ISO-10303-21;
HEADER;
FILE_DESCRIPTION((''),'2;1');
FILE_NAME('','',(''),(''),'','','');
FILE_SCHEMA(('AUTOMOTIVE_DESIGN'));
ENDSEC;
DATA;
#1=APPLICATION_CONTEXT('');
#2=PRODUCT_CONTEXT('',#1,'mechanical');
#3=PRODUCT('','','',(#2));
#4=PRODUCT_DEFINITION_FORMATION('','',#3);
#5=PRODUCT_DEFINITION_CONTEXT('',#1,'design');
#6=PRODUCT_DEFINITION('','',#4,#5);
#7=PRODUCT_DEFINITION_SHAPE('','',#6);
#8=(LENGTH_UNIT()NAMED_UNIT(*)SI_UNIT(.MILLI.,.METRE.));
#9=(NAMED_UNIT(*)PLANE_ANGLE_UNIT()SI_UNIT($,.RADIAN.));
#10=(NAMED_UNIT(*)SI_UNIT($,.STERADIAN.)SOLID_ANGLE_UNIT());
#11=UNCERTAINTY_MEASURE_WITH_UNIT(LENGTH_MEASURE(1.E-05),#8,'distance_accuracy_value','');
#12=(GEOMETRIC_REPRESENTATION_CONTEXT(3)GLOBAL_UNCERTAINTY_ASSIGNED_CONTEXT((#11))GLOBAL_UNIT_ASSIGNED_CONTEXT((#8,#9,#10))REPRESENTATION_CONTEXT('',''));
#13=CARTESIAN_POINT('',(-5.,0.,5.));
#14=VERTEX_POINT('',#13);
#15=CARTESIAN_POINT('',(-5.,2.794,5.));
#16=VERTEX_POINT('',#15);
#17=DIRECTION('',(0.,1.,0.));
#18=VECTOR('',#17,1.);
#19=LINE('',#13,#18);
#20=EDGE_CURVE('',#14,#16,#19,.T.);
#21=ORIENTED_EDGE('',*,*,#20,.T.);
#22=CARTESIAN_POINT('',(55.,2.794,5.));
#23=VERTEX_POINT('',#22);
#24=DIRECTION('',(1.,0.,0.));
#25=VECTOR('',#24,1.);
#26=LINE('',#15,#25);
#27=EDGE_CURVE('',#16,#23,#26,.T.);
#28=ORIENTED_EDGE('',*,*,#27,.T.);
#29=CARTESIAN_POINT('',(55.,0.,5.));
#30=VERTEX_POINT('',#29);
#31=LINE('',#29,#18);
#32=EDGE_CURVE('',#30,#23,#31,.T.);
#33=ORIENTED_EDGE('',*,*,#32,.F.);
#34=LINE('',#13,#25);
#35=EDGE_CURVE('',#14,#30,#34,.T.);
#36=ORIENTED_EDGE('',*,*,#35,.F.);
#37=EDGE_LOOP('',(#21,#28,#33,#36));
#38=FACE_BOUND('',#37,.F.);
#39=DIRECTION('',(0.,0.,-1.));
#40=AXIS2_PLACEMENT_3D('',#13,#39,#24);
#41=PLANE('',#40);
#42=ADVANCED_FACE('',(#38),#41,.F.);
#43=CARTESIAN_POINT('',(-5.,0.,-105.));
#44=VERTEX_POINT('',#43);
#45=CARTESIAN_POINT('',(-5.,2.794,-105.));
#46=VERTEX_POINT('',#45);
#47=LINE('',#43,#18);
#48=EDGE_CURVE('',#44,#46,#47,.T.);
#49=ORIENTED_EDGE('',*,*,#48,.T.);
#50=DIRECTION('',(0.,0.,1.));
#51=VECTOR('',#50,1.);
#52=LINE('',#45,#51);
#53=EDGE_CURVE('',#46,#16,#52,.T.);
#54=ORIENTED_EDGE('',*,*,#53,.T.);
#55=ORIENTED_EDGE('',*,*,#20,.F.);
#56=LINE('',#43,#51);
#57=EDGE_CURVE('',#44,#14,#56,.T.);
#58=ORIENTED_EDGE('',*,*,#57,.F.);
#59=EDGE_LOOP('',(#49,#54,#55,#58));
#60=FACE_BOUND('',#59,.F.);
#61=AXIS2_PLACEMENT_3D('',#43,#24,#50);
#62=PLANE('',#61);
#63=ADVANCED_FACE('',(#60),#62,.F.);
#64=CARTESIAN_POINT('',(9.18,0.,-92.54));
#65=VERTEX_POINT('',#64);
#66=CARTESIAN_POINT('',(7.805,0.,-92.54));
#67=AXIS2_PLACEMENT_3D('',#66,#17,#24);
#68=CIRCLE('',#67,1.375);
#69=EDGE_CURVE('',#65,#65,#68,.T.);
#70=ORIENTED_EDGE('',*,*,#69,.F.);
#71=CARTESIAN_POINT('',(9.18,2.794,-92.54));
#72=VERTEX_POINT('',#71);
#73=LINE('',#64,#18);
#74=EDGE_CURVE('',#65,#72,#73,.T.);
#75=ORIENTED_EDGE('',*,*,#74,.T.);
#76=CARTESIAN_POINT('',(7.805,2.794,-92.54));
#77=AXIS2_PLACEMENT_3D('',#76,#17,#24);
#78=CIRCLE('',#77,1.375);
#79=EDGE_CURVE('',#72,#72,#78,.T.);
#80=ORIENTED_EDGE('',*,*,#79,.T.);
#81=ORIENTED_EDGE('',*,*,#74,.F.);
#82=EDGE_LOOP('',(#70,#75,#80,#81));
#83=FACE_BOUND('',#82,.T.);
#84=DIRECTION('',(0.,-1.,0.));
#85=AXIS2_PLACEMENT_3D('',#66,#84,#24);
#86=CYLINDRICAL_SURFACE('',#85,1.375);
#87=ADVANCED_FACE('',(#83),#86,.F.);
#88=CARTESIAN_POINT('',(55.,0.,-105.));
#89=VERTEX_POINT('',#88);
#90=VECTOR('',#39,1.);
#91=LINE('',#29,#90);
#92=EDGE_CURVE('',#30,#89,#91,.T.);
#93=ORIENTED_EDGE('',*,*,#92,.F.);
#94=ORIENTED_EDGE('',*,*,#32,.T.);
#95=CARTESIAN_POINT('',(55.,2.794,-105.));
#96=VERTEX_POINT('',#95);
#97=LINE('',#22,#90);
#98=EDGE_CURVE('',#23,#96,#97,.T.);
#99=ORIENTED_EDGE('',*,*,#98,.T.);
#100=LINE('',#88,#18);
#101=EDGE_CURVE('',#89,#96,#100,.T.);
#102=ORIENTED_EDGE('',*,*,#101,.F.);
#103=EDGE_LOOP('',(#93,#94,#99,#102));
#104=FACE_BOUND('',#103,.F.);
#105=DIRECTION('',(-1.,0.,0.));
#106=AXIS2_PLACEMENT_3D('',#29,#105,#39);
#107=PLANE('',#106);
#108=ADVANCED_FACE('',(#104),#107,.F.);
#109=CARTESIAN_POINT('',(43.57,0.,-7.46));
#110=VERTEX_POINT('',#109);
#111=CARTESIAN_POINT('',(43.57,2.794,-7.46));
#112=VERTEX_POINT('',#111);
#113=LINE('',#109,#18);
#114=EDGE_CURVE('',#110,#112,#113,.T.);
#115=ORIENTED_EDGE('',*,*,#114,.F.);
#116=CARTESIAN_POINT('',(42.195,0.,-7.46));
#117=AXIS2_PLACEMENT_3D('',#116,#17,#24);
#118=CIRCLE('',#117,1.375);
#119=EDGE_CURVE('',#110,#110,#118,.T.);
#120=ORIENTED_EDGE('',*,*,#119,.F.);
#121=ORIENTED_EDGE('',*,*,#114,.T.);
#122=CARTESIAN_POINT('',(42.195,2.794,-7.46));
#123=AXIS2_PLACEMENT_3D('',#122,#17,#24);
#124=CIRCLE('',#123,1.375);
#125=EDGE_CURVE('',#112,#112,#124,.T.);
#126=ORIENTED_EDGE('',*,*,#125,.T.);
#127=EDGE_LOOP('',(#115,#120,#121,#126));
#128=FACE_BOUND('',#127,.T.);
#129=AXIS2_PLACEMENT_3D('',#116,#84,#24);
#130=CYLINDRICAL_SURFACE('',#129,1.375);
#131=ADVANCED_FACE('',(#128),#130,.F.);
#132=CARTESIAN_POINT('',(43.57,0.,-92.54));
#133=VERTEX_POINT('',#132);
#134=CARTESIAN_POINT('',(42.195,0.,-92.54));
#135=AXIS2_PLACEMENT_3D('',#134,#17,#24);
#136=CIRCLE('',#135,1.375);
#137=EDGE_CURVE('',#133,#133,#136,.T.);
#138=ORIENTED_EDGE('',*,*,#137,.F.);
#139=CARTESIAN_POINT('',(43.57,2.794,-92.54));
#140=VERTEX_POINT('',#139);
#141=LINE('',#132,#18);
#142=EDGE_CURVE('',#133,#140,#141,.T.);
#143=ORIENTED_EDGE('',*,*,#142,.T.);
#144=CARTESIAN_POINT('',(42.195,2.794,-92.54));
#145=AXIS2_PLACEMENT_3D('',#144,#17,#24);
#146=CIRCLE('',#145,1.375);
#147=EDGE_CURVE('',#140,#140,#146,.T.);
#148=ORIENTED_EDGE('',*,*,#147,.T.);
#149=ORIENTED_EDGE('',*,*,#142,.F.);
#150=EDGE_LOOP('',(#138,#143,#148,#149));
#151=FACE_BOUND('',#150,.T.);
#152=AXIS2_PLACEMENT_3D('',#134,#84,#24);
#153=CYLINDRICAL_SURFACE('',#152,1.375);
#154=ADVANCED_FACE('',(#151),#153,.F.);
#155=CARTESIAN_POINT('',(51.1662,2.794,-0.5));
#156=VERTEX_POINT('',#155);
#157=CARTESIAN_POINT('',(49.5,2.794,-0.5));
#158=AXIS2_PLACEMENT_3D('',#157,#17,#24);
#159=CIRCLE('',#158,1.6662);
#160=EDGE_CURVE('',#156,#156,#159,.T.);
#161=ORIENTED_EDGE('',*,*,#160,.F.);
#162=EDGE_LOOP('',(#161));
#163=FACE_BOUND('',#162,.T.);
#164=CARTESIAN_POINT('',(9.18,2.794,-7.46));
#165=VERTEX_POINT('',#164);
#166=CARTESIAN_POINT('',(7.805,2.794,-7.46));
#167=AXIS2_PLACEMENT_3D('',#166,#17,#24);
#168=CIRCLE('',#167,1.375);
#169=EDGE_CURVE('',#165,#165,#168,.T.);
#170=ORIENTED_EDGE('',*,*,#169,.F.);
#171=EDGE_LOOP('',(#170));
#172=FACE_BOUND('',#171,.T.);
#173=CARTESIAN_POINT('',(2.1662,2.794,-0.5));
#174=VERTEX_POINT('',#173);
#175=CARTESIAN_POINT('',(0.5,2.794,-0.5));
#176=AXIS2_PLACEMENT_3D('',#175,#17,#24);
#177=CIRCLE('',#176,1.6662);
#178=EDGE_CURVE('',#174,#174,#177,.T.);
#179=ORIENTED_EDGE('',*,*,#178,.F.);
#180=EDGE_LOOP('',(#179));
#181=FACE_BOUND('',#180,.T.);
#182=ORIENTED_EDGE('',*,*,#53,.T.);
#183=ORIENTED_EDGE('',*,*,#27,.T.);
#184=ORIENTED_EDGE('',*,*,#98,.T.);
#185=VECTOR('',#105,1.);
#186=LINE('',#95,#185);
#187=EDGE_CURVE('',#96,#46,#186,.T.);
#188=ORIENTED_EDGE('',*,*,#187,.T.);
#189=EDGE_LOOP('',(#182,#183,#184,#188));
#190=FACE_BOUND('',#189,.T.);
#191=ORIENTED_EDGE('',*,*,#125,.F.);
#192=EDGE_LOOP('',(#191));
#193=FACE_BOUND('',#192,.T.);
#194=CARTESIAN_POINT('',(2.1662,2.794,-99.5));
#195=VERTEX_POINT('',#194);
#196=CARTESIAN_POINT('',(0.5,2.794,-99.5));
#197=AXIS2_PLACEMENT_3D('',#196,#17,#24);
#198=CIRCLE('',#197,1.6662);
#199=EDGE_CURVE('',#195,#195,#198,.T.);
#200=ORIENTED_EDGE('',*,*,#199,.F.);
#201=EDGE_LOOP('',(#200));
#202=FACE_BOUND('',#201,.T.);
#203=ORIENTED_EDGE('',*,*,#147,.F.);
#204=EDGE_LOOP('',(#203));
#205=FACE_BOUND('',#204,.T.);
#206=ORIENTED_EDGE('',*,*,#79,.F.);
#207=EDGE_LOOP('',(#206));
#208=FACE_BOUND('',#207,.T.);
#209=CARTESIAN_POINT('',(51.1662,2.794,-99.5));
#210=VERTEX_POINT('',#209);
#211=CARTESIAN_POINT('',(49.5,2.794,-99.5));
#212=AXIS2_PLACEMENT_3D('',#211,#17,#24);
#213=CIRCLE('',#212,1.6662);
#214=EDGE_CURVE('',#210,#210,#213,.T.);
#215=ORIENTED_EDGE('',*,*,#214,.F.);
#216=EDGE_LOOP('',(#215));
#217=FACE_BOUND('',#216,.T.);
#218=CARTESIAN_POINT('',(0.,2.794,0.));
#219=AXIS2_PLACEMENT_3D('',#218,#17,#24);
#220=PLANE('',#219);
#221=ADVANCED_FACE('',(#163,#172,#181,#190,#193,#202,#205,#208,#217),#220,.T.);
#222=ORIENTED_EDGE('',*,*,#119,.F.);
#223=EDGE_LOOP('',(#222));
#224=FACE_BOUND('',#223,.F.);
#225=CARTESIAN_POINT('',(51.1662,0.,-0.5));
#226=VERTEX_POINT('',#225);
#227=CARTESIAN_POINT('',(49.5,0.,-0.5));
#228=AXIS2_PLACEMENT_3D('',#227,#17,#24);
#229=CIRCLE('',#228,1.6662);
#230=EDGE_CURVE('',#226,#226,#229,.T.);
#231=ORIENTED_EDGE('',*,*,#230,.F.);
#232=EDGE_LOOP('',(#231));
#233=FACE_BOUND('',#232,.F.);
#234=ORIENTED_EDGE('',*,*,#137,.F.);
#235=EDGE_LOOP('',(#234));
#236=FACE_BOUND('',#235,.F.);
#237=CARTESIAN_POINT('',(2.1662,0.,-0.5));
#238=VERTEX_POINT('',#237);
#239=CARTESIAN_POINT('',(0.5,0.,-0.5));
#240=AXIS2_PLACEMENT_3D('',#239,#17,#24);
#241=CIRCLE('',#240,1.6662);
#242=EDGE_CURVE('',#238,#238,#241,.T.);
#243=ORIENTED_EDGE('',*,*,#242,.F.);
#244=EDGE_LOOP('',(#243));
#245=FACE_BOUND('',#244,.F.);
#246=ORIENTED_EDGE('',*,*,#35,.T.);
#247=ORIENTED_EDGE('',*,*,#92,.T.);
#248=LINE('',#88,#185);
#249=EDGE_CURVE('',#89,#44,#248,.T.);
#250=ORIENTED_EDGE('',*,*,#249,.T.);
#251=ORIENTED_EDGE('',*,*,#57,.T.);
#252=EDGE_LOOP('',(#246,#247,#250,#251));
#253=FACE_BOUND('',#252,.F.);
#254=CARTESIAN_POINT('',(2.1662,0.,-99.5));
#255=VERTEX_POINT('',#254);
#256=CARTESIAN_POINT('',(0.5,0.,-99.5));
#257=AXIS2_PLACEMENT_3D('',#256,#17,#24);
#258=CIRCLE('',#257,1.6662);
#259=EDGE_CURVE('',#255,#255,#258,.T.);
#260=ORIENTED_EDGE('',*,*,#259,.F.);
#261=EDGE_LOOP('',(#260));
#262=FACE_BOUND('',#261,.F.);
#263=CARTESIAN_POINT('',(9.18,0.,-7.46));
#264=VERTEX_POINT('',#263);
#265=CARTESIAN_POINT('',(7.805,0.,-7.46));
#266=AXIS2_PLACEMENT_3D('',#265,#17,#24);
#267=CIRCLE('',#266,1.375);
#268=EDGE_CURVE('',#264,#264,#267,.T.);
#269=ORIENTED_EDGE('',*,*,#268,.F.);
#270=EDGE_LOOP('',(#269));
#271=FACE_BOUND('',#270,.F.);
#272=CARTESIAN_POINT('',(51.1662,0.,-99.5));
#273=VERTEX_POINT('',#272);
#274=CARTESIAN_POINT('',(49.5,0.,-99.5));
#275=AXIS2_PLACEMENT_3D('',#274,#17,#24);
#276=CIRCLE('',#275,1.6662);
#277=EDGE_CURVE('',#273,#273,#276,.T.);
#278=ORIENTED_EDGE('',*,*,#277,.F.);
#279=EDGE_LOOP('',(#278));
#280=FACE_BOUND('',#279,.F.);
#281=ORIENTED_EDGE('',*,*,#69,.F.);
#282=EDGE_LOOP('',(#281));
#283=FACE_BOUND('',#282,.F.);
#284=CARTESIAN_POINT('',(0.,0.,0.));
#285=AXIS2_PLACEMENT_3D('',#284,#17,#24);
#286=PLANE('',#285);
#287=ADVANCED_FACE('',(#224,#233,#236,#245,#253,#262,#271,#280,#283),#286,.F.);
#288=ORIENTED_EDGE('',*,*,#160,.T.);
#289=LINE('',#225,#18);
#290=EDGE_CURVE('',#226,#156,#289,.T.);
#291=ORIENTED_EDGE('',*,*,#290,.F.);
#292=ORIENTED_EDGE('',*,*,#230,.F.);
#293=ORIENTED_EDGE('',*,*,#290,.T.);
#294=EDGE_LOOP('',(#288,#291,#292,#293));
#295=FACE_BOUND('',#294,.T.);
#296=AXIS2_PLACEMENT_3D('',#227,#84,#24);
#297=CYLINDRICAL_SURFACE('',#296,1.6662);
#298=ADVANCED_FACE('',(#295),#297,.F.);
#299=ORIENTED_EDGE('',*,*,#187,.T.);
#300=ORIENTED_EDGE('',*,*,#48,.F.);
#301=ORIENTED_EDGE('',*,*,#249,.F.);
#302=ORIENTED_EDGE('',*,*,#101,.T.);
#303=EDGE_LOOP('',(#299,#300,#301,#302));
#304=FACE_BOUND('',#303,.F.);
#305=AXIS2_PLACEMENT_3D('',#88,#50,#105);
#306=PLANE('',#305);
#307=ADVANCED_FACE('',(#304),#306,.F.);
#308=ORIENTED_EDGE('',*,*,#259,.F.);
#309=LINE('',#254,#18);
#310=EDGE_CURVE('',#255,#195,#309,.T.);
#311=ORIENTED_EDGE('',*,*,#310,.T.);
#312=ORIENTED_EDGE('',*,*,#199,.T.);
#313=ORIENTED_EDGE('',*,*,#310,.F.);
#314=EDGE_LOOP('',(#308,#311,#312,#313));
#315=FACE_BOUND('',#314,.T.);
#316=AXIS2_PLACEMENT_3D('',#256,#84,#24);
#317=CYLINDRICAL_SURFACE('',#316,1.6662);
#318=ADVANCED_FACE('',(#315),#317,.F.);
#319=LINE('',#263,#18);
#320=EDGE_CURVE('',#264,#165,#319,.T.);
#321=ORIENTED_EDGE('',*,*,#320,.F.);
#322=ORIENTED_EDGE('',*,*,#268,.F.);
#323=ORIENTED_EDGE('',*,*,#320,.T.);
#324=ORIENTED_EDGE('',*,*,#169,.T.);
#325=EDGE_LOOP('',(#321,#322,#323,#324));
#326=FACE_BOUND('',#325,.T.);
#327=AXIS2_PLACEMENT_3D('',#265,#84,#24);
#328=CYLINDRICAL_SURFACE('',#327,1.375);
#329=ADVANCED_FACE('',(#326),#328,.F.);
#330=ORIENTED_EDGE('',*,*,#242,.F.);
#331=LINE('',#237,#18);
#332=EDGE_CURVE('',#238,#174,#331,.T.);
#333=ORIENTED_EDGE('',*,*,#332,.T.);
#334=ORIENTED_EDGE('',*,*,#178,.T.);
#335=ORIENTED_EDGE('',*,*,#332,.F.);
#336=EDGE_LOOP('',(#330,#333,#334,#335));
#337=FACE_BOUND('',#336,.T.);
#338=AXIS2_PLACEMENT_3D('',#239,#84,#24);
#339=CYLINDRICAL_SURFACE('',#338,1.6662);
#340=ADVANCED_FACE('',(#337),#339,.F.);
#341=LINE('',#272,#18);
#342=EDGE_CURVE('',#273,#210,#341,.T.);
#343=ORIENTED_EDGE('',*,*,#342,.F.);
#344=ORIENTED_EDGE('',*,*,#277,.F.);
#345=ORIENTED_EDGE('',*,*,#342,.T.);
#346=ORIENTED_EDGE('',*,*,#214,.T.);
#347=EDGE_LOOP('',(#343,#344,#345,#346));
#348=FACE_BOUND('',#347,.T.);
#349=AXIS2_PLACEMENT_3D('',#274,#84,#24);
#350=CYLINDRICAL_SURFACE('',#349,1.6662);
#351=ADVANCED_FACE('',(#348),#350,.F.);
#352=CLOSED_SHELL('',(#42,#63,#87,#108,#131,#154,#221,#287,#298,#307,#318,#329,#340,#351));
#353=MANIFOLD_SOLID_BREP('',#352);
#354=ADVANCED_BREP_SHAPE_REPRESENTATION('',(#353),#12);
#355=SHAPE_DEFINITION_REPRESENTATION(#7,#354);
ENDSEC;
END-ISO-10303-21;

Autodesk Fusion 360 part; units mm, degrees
sketch "Sketch1" plane through (0, 0, 0) normal (0, 1, 0) x (1, 0, 0)
  circle A0 centre (0.5, 99.5) radius 1.6662
  circle A1 centre (7.805, 92.54) radius 1.375
  circle A2 centre (42.195, 92.54) radius 1.375
  circle A3 centre (49.5, 99.5) radius 1.6662
  circle A4 centre (7.805, 7.46) radius 1.375
  circle A5 centre (0.5, 0.5) radius 1.6662
  circle A6 centre (42.195, 7.46) radius 1.375
  circle A7 centre (49.5, 0.5) radius 1.6662
  line L0 (-5, -5) -> (55, -5)
  line L1 (55, -5) -> (55, 105)
  line L2 (55, 105) -> (-5, 105)
  line L3 (-5, 105) -> (-5, -5)
  dimension "d5" = 3.3325
  dimension "d8" = 2.75
extrude "Extrude1" add sketch "Sketch1" along normal blind 2.794
